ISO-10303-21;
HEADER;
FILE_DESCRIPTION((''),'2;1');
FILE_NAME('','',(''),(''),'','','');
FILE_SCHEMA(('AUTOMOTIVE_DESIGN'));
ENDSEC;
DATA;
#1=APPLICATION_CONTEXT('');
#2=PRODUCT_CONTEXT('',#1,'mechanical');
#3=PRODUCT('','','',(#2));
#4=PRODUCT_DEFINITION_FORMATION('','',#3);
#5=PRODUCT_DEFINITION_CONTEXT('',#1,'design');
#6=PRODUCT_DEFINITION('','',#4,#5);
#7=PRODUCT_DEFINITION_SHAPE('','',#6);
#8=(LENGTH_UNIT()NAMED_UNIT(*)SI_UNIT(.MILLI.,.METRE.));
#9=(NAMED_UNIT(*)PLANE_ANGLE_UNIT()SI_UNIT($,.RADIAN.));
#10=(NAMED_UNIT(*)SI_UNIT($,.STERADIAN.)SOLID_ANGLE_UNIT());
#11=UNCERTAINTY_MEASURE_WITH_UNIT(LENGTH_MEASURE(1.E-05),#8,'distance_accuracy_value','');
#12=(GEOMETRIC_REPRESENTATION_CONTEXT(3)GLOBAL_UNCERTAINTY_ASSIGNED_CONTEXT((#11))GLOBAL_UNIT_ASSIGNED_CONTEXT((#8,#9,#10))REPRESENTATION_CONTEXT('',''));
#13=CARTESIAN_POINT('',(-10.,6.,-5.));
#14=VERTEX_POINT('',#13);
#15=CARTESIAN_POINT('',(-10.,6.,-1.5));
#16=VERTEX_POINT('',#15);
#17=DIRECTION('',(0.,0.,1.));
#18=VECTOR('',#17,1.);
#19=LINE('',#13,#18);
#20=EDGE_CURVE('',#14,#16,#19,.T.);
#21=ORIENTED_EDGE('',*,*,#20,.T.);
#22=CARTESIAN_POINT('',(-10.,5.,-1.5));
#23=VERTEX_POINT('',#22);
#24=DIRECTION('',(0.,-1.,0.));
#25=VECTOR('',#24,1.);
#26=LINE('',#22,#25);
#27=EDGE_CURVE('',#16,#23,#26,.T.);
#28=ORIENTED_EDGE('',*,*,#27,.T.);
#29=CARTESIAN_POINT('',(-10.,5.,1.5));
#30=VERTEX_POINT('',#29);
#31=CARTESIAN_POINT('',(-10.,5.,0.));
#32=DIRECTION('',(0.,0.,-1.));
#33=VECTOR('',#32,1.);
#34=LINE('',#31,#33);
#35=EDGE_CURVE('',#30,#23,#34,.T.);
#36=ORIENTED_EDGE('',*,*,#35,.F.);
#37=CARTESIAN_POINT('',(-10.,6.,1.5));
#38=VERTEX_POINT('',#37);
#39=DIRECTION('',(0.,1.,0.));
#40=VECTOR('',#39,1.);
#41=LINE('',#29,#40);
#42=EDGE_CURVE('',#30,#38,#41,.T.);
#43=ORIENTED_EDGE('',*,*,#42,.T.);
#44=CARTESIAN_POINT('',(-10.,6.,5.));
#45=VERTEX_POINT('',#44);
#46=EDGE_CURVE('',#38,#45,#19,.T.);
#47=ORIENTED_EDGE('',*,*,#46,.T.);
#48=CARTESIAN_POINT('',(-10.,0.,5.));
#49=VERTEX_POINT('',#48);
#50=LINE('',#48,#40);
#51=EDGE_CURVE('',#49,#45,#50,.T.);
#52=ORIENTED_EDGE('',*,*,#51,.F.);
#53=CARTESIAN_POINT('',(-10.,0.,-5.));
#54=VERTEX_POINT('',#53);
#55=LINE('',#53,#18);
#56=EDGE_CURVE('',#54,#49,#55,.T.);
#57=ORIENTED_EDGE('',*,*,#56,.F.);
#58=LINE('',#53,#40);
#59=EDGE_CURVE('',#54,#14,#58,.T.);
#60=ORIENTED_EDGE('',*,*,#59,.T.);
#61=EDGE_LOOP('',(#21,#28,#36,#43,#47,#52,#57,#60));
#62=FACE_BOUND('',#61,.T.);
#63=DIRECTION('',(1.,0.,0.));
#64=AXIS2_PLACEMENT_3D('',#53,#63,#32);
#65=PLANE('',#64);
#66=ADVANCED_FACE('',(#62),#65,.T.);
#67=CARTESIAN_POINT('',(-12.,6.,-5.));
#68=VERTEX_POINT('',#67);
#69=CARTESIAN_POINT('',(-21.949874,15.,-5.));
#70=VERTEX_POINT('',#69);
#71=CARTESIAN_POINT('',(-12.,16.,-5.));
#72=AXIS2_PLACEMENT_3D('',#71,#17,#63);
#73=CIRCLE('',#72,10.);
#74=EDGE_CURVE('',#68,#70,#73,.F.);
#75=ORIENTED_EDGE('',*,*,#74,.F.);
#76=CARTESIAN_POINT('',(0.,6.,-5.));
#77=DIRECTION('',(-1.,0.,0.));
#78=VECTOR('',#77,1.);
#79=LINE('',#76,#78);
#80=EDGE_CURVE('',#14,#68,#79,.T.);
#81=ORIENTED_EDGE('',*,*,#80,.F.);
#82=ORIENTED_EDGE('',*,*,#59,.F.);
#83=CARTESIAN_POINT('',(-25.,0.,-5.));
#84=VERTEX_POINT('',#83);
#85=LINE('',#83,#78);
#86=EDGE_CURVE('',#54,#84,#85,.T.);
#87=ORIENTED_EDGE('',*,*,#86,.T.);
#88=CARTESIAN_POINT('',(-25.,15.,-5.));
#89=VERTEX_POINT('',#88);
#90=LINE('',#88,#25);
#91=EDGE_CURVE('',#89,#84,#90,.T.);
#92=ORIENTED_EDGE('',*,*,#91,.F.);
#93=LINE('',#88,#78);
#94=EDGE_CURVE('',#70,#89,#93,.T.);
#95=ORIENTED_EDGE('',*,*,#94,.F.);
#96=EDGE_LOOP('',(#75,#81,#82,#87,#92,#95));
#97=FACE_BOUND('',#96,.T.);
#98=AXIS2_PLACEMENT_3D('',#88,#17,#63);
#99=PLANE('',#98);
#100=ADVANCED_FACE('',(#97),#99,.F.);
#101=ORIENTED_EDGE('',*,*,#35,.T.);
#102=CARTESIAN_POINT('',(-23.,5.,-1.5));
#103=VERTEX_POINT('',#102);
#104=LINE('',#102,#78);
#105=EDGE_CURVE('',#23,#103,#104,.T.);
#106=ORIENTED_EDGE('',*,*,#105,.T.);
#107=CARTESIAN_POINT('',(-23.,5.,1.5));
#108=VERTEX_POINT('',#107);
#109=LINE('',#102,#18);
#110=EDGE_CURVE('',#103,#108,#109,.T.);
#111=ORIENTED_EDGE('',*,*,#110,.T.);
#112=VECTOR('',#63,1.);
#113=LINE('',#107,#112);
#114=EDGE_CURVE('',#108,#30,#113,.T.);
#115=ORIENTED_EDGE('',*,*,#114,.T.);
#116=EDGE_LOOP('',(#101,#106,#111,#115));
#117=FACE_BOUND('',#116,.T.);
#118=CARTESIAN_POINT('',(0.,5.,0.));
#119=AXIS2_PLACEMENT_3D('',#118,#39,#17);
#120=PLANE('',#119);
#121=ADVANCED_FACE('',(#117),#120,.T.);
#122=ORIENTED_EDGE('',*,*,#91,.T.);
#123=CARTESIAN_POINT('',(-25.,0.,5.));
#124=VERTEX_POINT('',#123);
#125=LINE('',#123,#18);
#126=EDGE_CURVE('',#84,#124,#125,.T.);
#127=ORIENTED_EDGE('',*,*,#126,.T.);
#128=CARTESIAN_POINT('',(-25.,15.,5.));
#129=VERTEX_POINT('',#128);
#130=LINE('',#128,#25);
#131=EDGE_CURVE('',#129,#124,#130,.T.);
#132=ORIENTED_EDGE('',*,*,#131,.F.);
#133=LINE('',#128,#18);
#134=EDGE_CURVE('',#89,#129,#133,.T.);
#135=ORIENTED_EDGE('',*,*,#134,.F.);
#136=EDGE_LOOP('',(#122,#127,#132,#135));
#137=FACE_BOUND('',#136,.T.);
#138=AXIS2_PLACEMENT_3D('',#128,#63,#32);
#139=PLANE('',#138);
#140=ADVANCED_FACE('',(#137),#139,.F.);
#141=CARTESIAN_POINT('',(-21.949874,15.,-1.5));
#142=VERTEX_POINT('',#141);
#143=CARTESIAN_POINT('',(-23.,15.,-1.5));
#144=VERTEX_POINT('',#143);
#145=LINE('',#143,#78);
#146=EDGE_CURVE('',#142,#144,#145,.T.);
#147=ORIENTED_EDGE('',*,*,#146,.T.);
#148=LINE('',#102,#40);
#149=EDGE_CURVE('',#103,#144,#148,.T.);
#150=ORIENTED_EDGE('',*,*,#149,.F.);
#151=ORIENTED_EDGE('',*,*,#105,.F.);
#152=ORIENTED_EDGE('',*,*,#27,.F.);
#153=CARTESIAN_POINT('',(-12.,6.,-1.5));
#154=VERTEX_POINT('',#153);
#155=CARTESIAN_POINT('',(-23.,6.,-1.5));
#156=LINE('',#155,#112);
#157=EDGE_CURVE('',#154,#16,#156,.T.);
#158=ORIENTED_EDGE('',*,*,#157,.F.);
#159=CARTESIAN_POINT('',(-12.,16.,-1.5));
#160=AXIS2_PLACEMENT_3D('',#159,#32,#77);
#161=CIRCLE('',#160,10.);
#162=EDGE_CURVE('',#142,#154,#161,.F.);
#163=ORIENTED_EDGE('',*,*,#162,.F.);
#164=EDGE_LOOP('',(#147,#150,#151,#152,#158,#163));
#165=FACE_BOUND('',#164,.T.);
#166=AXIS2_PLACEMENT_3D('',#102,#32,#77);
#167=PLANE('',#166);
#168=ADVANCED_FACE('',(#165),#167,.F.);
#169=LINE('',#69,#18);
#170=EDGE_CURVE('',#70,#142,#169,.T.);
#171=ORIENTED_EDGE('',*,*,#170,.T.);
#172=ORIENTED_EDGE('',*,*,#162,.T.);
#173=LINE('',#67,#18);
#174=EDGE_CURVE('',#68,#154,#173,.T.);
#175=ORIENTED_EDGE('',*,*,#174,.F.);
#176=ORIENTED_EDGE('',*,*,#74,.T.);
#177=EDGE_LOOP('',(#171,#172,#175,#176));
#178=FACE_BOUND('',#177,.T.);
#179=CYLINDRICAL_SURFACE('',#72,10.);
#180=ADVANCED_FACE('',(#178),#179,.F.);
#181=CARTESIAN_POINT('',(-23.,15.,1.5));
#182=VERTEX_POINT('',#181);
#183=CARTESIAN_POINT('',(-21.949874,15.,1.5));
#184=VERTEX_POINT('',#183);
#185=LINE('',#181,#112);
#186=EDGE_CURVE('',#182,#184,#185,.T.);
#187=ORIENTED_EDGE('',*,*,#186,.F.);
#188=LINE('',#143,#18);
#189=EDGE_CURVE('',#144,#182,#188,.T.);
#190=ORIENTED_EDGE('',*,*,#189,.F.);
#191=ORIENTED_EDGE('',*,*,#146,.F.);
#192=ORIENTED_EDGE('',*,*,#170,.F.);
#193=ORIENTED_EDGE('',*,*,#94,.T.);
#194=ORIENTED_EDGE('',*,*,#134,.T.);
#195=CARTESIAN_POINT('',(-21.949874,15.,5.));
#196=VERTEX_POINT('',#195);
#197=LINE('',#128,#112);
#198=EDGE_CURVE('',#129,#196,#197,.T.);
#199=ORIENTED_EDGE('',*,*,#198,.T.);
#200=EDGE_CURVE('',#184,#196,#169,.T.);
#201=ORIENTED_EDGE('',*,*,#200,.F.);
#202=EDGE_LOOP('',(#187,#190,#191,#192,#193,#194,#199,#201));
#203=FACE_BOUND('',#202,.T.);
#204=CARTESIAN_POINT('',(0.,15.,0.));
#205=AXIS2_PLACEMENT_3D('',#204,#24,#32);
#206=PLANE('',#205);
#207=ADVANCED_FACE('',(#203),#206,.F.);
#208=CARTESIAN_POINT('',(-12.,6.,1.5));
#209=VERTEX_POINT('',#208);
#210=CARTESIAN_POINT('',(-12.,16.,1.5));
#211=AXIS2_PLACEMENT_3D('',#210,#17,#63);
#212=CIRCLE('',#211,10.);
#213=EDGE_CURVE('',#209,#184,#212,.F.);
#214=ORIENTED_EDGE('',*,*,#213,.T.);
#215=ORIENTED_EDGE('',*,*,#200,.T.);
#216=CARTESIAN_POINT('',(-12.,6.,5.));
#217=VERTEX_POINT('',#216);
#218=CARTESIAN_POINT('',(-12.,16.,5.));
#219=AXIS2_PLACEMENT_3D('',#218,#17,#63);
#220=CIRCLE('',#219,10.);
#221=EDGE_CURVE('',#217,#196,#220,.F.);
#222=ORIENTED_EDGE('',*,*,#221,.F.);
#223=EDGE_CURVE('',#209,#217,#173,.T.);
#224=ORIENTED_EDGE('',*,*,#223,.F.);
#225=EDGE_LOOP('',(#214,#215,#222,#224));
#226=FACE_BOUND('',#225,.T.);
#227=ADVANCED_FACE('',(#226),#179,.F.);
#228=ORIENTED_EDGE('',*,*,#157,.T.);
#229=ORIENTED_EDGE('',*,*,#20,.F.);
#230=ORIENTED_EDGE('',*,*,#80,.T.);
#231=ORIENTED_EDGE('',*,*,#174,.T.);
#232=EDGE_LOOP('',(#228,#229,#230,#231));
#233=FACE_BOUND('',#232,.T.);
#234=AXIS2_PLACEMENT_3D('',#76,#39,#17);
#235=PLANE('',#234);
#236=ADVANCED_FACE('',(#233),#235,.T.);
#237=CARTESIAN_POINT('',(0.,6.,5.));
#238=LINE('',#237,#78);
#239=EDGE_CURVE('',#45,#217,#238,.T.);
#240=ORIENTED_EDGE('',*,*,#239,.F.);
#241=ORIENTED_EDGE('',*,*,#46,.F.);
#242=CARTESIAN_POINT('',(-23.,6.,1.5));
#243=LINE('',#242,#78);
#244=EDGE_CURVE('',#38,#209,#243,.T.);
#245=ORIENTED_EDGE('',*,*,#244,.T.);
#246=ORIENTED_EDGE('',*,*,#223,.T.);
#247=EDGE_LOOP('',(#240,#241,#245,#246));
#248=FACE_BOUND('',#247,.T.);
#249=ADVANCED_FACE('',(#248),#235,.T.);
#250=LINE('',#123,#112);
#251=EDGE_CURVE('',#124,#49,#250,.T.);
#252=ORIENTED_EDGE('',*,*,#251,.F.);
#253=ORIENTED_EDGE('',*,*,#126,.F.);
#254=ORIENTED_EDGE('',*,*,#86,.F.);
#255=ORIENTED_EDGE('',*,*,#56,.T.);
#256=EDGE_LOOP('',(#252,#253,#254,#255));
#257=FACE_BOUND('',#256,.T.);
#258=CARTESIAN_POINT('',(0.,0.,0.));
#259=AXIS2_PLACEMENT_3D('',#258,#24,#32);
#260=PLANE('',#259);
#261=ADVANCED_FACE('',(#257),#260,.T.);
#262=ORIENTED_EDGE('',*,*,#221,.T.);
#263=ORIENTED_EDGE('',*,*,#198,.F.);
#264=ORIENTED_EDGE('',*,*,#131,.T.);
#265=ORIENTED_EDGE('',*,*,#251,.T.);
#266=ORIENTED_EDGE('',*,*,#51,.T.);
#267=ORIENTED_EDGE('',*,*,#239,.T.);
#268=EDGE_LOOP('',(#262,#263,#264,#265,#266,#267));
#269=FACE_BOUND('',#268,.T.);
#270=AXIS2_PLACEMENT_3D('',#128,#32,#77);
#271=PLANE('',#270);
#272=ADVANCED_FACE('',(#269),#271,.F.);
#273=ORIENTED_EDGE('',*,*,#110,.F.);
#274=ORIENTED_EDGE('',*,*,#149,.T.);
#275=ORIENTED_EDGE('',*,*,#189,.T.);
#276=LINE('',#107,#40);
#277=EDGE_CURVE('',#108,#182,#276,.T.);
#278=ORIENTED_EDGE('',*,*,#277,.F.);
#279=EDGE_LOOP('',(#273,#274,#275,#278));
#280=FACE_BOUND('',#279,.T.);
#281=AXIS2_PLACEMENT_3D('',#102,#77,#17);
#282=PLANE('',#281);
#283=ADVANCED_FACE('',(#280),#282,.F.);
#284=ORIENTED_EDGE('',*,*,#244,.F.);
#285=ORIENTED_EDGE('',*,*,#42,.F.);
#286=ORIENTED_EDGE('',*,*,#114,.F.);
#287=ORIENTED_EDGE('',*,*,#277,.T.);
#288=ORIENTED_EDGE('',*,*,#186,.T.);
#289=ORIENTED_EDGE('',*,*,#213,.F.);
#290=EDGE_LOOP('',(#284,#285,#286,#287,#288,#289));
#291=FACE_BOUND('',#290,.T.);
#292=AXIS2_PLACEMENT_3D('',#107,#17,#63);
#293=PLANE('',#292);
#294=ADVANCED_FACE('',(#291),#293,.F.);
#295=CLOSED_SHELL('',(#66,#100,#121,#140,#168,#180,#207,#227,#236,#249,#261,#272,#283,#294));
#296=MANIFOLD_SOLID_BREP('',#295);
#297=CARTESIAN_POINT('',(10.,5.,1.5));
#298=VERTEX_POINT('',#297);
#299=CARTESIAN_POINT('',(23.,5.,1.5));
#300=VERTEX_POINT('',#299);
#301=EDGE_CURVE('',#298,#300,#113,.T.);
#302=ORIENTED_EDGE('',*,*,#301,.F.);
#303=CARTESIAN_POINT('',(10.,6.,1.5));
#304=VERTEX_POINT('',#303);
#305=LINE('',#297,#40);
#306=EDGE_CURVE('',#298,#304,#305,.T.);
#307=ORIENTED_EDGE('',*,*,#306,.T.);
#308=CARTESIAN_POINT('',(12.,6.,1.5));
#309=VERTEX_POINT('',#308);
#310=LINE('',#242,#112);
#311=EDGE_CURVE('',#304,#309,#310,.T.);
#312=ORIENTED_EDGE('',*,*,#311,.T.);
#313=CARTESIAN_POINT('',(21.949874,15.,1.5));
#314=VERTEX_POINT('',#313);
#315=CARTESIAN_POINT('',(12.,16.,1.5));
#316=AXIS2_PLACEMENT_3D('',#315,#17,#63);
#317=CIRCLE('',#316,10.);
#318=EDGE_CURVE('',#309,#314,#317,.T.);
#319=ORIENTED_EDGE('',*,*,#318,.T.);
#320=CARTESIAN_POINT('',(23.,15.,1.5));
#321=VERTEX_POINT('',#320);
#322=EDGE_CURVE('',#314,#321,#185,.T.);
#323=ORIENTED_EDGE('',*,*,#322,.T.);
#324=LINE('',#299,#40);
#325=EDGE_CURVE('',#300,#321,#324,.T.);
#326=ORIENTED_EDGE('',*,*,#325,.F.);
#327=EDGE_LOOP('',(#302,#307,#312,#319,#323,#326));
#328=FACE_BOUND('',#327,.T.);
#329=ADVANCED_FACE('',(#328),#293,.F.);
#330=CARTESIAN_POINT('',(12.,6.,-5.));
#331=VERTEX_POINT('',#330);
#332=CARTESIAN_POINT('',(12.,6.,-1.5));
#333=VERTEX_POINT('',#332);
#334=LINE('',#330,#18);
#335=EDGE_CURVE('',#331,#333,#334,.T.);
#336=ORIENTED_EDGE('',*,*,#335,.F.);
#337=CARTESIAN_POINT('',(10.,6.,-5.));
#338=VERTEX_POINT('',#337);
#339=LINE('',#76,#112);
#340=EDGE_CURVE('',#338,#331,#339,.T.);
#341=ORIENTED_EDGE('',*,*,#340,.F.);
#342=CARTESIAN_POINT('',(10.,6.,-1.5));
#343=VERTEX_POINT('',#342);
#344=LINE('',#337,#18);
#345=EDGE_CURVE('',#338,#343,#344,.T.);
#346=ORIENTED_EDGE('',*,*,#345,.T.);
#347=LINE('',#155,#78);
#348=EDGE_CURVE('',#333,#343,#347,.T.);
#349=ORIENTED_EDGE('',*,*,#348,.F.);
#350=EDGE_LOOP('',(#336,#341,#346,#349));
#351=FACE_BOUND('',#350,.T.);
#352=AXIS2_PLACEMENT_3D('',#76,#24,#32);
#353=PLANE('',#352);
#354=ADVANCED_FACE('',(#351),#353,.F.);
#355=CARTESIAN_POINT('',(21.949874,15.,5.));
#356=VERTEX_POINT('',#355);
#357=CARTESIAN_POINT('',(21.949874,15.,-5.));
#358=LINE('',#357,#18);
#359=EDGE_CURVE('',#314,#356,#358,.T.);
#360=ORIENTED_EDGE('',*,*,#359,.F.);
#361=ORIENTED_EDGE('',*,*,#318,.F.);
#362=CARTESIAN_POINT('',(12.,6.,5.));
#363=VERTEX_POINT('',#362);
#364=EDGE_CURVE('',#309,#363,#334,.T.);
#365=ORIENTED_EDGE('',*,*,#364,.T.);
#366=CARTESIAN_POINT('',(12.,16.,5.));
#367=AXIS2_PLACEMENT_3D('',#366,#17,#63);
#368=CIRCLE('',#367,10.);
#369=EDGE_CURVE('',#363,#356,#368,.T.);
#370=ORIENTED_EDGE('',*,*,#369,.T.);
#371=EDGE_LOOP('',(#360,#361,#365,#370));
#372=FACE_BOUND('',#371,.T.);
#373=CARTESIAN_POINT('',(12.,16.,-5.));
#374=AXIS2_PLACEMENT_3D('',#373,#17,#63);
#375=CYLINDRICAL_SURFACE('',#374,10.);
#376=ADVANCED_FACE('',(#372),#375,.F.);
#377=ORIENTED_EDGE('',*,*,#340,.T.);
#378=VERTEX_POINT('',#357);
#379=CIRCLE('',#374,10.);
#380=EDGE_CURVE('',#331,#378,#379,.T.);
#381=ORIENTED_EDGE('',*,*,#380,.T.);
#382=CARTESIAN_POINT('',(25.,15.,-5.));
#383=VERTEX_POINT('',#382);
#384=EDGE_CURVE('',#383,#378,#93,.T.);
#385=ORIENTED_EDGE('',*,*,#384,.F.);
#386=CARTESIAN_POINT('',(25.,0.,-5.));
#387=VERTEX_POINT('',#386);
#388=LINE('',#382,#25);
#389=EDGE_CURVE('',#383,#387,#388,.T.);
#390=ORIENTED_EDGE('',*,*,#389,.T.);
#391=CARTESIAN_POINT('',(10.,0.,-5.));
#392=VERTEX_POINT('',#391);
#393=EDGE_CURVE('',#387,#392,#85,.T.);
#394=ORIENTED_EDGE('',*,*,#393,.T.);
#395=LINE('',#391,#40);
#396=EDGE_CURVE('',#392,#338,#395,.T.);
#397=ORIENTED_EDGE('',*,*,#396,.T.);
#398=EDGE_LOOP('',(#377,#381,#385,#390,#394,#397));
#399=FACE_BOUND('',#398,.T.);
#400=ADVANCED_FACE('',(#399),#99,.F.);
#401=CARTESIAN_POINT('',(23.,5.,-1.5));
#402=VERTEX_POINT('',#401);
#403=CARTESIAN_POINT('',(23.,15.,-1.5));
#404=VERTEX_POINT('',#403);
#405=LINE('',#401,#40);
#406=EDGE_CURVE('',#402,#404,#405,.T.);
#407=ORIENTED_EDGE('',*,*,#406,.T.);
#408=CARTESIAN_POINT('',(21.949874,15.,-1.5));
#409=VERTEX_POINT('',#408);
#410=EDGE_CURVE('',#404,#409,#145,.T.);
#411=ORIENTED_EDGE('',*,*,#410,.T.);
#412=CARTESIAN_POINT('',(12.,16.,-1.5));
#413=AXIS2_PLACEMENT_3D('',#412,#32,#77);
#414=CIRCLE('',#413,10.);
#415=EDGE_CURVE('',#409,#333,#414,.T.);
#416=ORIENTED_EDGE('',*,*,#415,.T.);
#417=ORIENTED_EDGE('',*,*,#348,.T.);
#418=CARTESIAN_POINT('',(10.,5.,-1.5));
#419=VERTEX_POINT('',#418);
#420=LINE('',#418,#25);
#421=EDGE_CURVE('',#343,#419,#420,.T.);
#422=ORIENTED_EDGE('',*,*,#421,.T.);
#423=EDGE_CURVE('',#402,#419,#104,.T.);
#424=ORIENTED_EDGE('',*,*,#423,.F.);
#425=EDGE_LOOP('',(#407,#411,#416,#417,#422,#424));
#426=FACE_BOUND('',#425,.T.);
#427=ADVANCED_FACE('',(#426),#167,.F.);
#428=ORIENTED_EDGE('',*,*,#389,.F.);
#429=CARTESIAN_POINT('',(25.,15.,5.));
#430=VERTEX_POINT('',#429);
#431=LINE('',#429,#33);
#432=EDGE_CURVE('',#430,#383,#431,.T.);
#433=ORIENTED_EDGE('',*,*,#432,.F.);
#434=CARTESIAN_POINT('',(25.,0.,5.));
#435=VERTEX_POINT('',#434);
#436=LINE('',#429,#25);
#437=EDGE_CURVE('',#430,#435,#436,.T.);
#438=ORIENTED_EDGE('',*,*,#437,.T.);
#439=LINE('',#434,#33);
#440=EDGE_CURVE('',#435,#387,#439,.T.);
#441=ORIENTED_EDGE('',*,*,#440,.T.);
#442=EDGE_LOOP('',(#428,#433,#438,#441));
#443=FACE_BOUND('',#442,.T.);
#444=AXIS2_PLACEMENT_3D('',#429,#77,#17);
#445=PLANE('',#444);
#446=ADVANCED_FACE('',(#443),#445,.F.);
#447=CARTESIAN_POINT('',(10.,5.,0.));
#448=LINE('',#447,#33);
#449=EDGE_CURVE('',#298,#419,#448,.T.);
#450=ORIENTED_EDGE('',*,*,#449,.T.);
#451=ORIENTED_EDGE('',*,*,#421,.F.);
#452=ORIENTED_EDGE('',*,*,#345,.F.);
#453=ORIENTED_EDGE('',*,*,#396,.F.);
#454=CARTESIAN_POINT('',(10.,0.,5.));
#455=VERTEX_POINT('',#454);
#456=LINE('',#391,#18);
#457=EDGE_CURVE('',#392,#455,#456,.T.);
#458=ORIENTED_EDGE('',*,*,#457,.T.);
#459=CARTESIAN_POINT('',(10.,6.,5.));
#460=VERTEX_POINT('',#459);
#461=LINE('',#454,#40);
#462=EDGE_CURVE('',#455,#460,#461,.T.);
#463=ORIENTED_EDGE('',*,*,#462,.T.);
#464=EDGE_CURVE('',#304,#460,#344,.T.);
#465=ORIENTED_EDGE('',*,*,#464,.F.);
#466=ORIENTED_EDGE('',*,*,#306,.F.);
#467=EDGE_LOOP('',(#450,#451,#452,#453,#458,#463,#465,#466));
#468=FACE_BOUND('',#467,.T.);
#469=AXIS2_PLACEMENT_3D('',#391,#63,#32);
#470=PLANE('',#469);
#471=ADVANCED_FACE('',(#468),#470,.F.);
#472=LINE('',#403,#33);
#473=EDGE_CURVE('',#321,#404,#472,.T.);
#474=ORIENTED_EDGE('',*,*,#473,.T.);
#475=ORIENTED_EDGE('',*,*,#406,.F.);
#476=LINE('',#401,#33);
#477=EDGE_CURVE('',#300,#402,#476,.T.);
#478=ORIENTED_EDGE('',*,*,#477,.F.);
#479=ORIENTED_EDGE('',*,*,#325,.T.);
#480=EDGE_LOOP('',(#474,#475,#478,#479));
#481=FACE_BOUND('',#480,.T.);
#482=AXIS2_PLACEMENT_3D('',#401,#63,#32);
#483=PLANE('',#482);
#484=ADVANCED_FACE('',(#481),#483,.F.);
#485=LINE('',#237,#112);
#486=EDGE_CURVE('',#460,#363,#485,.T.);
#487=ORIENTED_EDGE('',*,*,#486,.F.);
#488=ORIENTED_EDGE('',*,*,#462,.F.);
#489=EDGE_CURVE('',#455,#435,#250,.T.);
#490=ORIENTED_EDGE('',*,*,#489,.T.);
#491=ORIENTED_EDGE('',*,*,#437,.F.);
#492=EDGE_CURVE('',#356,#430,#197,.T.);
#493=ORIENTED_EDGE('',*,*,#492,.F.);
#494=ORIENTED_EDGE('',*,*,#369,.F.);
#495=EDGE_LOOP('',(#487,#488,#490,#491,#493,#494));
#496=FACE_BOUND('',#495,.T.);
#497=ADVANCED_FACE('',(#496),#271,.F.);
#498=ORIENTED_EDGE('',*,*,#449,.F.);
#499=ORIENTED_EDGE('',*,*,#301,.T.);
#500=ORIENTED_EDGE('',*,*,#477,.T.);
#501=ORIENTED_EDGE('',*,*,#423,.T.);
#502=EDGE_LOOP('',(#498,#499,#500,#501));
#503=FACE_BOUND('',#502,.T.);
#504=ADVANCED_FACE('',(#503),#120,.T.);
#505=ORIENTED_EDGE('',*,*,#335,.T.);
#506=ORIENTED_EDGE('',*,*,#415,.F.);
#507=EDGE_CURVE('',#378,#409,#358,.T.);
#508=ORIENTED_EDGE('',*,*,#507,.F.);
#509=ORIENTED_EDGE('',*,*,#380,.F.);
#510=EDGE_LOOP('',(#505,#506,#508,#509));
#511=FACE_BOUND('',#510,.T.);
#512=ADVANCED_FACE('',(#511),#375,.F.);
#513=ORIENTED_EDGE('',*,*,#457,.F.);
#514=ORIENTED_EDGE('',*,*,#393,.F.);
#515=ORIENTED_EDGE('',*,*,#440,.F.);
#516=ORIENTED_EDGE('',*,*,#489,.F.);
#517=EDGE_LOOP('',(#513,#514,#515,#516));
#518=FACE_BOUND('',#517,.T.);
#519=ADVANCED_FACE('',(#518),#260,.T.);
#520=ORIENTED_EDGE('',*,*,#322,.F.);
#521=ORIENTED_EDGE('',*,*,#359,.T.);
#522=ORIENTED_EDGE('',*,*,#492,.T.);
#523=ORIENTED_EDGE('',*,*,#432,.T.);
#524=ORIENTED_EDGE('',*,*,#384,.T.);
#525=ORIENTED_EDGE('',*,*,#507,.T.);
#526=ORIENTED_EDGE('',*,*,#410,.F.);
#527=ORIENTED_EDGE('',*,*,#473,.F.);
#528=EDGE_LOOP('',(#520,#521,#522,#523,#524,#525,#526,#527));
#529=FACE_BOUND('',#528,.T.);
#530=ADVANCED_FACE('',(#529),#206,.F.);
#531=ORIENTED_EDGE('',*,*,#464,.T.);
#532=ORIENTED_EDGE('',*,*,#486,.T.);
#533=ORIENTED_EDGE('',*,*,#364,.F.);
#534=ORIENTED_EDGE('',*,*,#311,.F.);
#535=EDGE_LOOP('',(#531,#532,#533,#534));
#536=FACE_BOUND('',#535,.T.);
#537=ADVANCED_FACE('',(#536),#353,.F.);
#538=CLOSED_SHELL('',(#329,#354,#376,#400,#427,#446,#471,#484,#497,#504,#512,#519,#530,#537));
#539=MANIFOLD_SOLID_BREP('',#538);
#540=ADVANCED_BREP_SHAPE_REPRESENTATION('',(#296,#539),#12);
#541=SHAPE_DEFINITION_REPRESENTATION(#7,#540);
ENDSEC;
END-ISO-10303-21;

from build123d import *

# Parameters (mm, degrees)
SKETCH1_W           = 50
SKETCH1_H           = 10
BOSS_EXTRUDE1_DEPTH = 15
SKETCH3_W           = 46
SKETCH3_H           = 3
CUT_EXTRUDE1_DEPTH  = 10
CUT_EXTRUDE2_DEPTH  = 10


with BuildPart() as part:
    # Sketch1 → Boss-Extrude1 (new body)
    with BuildSketch(Plane(origin=(0, 0, 0), x_dir=(1, 0, 0), z_dir=(0, 1, 0))):
        Rectangle(SKETCH1_W, SKETCH1_H)
    extrude(amount=BOSS_EXTRUDE1_DEPTH)

    # Sketch3 → Cut-Extrude1 (cut)
    with BuildSketch(Plane(origin=(0, 15, 0), x_dir=(1, 0, 0), z_dir=(0, 1, 0))):
        Rectangle(SKETCH3_W, SKETCH3_H)
    extrude(amount=-CUT_EXTRUDE1_DEPTH, mode=Mode.SUBTRACT)

    # Sketch4 → Cut-Extrude2 (cut)
    with BuildSketch(Plane.XY.offset(5)):
        with BuildLine():
            Line((-10, 6), (-10, 0))
            Line((-10, 0), (10, 0))
            Line((10, 0), (10, 6))
            Line((10, 6), (12, 6))
            ThreePointArc((12, 6), (18.708203932, 8.583801513), (21.949874371, 15))
            Line((21.949874371, 15), (-21.949874371, 15))
            ThreePointArc((-21.949874371, 15), (-18.708203932, 8.583801513), (-12, 6))
            Line((-12, 6), (-10, 6))
        make_face()
    extrude(amount=-CUT_EXTRUDE2_DEPTH, mode=Mode.SUBTRACT)


with BuildPart() as cut_extrude2_piece_1:
    # of the separate pieces the step leaves, piece 1, a body of its own (cut_extrude2_pieces)
    add(part.part.solids().sort_by_distance((-25, 0, 5))[0])


with BuildPart() as cut_extrude2_piece_2:
    # of the separate pieces the step leaves, piece 2, a body of its own (cut_extrude2_pieces)
    add(part.part.solids().sort_by_distance((10, 0, 5))[0])


solid = Compound([cut_extrude2_piece_1.part, cut_extrude2_piece_2.part])
